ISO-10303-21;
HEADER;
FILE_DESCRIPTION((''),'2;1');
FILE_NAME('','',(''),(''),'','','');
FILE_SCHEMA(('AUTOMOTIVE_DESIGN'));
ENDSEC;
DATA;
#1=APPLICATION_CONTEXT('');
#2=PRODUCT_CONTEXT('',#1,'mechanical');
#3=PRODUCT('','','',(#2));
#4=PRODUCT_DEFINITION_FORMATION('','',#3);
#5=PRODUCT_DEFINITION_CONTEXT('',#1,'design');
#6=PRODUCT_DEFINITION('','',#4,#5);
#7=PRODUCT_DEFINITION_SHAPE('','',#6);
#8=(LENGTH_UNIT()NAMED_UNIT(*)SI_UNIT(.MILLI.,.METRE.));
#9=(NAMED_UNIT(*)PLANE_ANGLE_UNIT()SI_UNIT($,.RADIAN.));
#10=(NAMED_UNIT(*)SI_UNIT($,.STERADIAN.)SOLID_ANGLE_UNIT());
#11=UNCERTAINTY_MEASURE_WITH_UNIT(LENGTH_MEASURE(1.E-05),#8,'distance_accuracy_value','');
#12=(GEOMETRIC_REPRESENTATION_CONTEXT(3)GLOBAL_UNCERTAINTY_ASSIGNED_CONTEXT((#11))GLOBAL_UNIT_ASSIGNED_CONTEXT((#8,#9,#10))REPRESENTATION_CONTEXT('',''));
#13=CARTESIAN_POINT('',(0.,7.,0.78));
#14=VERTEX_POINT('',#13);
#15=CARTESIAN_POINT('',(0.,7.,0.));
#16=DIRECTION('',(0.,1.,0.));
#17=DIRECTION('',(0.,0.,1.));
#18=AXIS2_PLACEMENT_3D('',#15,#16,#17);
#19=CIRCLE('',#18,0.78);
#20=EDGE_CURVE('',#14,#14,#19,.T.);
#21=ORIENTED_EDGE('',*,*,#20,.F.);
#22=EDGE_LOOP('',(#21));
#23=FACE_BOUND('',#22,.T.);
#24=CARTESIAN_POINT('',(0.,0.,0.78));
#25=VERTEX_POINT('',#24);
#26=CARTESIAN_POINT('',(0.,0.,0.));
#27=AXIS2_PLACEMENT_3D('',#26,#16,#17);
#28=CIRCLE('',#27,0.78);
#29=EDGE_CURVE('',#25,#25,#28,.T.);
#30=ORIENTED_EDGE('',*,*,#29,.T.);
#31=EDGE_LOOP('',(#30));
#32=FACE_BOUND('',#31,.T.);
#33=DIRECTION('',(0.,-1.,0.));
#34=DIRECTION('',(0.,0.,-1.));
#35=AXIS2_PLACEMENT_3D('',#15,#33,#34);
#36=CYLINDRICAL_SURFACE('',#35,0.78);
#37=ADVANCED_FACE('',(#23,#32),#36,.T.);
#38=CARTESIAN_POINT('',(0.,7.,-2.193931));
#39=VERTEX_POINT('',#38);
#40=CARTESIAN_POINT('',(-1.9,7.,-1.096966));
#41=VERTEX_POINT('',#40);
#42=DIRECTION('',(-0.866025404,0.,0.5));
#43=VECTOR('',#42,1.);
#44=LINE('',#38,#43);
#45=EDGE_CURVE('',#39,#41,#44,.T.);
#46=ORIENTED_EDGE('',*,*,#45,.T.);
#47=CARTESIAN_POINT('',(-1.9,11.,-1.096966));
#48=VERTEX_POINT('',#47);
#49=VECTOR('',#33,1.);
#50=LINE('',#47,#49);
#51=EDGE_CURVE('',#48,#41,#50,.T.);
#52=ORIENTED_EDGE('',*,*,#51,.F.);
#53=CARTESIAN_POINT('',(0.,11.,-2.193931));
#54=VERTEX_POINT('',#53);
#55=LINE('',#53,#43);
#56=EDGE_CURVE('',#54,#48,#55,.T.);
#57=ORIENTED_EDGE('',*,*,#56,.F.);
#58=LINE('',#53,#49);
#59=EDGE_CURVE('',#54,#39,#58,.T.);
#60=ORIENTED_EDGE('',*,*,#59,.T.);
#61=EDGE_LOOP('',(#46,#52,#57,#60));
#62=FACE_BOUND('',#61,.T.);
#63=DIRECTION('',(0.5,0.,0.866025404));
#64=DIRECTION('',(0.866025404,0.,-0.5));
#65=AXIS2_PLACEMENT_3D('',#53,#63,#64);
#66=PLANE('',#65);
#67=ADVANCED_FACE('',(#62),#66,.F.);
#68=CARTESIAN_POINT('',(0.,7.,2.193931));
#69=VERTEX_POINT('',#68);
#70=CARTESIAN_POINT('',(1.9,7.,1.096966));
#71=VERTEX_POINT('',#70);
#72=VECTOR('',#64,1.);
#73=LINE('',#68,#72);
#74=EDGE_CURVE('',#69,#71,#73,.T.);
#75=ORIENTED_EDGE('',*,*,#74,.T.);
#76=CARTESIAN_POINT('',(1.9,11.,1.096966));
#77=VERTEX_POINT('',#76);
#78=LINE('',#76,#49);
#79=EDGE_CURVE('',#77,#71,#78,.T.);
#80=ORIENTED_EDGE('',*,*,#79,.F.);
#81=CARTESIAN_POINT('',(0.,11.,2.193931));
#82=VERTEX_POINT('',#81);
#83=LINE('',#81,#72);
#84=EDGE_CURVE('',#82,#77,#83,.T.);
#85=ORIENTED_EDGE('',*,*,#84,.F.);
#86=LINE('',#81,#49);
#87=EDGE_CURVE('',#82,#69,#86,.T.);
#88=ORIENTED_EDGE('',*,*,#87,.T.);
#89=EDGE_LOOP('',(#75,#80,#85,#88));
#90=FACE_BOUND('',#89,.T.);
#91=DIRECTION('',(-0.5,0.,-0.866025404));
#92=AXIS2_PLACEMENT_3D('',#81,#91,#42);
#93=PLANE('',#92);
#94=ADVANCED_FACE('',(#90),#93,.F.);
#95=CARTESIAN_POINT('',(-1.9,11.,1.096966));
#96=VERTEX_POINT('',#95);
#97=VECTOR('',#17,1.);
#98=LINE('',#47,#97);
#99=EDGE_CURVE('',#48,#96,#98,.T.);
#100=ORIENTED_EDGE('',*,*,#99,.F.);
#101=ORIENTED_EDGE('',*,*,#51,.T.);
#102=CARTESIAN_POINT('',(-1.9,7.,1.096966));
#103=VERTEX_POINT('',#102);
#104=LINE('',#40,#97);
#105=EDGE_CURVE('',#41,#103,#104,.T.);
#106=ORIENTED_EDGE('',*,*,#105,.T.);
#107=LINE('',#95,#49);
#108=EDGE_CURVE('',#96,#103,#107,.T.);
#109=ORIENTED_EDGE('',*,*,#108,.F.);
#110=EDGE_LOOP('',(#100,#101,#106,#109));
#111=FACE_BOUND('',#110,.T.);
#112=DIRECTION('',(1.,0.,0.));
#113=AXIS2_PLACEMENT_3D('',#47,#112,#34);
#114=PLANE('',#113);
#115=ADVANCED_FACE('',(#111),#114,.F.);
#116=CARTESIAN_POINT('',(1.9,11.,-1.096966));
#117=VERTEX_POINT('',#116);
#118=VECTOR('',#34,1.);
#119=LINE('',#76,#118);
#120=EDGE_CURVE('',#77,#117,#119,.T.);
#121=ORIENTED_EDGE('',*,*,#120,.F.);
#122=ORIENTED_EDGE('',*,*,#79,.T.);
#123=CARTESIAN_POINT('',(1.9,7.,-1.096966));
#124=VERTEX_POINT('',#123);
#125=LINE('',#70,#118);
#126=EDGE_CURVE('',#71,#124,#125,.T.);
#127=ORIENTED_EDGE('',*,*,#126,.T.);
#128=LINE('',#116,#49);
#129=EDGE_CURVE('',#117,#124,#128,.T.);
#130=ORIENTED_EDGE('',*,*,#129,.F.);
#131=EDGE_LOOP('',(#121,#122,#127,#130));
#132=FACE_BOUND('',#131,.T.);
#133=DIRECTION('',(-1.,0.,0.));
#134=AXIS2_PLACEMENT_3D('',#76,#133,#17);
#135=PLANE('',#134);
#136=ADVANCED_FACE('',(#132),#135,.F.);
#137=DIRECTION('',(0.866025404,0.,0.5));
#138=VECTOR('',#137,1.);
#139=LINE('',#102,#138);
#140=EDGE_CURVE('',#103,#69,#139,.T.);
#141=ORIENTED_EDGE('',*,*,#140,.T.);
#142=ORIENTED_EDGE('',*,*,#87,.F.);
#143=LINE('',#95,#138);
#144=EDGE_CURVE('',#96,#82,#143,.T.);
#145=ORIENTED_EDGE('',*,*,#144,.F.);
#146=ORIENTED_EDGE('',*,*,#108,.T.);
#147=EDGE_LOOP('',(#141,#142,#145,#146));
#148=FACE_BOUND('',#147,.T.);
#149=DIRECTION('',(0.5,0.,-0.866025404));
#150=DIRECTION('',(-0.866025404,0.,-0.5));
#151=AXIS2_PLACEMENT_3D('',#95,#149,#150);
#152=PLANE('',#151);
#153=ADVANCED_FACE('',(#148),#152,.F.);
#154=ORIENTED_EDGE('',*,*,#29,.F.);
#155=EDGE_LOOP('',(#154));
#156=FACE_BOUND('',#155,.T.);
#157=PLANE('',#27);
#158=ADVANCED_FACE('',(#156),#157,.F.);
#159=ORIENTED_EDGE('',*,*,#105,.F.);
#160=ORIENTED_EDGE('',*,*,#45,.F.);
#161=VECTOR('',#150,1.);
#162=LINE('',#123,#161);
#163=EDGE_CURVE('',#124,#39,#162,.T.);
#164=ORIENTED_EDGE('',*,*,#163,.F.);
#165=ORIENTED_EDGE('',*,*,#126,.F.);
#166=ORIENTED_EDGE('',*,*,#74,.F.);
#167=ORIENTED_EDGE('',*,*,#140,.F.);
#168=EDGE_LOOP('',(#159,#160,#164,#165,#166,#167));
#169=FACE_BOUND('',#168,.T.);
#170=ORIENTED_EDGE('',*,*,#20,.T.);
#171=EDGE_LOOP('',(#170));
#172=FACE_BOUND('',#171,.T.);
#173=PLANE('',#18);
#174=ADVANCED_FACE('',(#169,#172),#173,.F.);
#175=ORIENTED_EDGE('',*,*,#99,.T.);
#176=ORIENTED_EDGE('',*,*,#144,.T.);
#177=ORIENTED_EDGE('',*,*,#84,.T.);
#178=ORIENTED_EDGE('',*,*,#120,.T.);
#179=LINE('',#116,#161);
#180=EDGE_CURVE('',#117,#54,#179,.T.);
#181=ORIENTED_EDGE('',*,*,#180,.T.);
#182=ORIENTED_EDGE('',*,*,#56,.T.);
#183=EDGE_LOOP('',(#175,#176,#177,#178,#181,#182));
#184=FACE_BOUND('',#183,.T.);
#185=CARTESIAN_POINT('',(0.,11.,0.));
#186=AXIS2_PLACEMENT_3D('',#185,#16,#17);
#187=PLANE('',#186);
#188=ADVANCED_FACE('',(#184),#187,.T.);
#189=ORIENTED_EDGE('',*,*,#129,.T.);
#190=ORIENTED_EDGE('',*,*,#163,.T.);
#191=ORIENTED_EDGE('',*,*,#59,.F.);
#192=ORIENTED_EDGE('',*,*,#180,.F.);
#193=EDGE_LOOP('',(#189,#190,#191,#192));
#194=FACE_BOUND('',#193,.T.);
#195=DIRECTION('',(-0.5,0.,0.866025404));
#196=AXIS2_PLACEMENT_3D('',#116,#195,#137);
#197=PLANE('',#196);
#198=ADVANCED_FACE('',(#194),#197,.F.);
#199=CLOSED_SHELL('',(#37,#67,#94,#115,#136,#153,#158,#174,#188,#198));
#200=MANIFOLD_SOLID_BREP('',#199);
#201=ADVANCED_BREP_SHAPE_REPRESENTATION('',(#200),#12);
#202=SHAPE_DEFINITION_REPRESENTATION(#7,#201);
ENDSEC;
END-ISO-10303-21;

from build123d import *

# Parameters (mm, degrees)
SKETCH2_R           = 0.78
BOSS_EXTRUDE1_DEPTH = 7
BOSS_EXTRUDE2_DEPTH = 4


with BuildPart() as part:
    # Sketch2 → Boss-Extrude1 (new body)
    with BuildSketch(Plane(origin=(0, 0, 0), x_dir=(1, 0, 0), z_dir=(0, 1, 0))):
        with Locations(Location((0, 0, 0), (0, 0, 270))):
            Circle(SKETCH2_R)
    extrude(amount=BOSS_EXTRUDE1_DEPTH)

    # Sketch3 → Boss-Extrude2 (add)
    with BuildSketch(Plane(origin=(0, 7, 0), x_dir=(1, 0, 0), z_dir=(0, 1, 0))):
        Polygon((1.9, 1.096965511), (0, 2.193931023), (-1.9, 1.096965511), (-1.9, -1.096965511), (0, -2.193931023), (1.9, -1.096965511), align=None)
    extrude(amount=BOSS_EXTRUDE2_DEPTH)


solid = part.part
